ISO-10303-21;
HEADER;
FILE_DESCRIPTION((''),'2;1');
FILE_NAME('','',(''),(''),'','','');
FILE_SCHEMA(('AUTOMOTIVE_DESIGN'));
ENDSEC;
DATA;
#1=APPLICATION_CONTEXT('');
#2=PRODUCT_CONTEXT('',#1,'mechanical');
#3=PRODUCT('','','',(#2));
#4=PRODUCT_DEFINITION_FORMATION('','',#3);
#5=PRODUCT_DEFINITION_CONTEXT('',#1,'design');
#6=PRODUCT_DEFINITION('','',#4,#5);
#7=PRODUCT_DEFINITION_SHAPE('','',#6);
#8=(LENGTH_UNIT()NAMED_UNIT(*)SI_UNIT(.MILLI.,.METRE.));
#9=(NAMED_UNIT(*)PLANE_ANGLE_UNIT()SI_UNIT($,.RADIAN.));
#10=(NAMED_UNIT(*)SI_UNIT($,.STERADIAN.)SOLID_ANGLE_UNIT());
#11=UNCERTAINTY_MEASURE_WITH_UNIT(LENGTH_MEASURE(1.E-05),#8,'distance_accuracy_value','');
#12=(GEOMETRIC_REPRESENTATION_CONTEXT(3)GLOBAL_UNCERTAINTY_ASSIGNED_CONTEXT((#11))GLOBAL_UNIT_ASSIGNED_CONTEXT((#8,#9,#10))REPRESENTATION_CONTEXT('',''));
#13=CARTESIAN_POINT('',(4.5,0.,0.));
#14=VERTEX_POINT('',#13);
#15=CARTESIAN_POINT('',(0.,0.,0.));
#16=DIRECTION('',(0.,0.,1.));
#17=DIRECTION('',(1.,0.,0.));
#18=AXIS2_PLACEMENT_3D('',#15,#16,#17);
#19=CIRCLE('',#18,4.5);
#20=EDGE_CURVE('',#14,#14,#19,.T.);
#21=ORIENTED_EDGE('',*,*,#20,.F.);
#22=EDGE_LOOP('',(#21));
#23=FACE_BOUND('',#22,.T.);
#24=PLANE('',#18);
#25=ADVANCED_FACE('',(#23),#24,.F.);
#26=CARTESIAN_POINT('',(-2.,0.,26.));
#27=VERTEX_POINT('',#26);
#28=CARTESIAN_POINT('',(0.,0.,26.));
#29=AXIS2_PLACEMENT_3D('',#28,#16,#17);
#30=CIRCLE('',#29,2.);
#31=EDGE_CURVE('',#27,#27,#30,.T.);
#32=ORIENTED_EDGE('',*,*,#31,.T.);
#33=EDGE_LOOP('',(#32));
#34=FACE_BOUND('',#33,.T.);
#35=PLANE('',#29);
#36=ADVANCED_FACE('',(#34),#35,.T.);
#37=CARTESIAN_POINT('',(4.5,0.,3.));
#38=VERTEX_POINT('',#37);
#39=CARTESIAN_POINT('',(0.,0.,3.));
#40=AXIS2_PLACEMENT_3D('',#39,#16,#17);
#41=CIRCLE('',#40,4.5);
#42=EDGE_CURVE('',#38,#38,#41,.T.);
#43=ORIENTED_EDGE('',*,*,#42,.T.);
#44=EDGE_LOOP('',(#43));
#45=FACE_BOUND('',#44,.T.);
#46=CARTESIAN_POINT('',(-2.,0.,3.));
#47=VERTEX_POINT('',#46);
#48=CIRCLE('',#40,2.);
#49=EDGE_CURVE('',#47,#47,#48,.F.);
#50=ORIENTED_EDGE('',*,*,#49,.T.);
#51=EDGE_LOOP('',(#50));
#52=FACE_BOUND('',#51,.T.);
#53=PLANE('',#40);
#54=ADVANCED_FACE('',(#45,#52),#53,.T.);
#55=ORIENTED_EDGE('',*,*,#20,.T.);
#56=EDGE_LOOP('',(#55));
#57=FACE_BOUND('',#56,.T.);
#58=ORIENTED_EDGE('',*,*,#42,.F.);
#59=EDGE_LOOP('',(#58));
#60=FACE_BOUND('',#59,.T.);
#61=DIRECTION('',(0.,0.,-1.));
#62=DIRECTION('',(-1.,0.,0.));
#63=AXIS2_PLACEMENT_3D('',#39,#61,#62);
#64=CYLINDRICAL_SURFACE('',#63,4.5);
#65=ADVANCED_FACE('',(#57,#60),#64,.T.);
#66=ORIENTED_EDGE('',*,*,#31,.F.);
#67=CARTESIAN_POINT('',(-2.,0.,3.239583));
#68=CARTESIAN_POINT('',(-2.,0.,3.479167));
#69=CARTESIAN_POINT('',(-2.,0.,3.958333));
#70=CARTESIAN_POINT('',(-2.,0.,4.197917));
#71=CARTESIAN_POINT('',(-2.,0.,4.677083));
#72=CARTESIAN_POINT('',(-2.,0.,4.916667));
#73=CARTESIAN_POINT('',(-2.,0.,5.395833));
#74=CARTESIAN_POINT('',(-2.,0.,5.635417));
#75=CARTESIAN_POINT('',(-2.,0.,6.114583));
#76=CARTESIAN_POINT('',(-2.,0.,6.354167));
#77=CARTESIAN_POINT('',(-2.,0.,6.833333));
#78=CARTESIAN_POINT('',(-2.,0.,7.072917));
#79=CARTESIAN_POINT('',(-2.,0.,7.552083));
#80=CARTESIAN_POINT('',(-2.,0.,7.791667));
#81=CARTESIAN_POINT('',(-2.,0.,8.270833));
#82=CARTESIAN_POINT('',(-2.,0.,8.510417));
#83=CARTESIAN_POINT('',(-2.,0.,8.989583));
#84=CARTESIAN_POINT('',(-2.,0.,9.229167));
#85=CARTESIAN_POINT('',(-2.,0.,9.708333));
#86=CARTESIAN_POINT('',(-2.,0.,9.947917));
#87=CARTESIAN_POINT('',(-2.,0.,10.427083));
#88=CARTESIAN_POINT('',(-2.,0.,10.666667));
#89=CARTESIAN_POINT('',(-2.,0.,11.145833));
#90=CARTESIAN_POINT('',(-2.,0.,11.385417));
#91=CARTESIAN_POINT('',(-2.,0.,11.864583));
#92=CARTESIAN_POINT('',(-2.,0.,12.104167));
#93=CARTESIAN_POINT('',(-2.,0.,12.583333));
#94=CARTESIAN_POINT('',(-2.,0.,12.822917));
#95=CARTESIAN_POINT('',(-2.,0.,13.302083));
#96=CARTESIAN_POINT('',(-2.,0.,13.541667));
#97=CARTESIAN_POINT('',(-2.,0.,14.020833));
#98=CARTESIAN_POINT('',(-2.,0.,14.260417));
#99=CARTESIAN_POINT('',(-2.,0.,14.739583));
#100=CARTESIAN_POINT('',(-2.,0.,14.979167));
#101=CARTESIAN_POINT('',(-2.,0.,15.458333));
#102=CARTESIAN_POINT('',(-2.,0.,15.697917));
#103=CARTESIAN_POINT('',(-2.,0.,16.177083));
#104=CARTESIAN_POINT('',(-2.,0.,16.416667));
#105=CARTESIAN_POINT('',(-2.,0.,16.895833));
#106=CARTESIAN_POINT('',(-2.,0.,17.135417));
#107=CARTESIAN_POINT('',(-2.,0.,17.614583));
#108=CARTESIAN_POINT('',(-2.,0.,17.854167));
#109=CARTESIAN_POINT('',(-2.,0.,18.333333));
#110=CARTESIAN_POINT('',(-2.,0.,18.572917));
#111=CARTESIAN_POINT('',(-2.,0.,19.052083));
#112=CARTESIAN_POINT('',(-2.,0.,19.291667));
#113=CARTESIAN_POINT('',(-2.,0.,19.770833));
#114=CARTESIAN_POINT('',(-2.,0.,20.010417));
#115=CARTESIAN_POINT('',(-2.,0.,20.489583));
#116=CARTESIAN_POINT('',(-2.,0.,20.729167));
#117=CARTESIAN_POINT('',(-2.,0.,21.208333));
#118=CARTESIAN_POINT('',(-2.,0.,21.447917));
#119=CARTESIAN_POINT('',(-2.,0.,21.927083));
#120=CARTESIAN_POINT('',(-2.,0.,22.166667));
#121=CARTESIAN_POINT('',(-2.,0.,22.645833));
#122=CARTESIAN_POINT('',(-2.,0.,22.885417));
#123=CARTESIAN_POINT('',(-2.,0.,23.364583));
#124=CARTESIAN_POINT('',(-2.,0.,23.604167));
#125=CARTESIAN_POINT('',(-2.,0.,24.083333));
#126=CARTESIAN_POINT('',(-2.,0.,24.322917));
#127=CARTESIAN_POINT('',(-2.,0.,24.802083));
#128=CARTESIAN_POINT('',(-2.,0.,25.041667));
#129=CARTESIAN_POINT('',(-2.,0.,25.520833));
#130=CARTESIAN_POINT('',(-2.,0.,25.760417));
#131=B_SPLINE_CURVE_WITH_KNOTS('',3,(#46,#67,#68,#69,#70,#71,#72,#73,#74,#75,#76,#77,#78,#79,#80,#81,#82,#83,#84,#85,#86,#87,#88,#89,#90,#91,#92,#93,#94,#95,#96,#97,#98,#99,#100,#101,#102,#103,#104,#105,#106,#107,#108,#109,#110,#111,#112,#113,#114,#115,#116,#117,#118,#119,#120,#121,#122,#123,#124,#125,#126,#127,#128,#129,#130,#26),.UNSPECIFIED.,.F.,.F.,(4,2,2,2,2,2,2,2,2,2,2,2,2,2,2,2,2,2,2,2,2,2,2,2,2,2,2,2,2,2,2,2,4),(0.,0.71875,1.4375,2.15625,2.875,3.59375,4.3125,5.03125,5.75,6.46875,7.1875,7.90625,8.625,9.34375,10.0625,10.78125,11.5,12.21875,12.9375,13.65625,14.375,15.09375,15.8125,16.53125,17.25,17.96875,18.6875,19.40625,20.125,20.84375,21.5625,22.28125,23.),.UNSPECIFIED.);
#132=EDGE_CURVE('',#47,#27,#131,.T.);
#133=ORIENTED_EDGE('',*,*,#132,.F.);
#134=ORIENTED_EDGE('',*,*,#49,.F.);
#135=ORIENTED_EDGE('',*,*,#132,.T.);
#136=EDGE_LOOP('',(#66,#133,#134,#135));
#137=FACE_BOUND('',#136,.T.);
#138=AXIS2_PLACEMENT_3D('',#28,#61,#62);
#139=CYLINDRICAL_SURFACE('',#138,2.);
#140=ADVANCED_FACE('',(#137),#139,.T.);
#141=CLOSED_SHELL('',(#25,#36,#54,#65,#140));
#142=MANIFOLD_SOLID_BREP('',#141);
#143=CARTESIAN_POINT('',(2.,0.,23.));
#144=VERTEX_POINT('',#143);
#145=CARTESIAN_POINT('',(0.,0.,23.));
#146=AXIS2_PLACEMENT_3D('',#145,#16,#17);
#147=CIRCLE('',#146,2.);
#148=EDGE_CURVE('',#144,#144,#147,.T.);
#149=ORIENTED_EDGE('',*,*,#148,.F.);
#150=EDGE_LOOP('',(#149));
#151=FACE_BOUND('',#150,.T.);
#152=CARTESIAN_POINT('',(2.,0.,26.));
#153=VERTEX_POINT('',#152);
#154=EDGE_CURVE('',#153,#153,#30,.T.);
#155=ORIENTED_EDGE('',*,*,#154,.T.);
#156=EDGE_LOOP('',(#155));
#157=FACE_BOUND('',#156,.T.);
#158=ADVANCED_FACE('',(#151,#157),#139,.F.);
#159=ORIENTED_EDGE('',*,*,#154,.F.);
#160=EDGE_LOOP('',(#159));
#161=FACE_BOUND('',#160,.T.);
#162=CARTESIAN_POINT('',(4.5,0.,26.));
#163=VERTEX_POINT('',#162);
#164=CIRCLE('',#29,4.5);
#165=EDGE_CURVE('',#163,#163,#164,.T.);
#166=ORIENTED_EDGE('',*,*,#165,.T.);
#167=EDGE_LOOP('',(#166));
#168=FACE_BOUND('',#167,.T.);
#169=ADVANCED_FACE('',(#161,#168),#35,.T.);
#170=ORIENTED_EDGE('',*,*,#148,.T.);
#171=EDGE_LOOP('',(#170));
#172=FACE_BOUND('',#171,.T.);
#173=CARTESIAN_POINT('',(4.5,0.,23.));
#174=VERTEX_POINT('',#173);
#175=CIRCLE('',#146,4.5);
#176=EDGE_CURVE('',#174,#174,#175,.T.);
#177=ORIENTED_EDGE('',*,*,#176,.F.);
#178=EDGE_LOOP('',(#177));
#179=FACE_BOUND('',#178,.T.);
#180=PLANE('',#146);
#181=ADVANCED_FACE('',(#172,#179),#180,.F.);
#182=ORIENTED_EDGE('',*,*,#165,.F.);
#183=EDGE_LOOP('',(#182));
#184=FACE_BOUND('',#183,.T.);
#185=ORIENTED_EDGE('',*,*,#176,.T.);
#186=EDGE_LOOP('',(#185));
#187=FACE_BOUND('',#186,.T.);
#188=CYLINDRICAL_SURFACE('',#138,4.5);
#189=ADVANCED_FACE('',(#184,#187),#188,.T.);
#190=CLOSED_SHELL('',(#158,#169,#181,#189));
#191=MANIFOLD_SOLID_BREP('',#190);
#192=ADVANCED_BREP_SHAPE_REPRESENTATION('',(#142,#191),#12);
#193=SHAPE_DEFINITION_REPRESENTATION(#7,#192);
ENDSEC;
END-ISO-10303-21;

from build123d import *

# Parameters (mm, degrees)
CROQUIS1_R              = 4.5
SALIENTE_EXTRUIR1_DEPTH = 3
CROQUIS2_R              = 2
SALIENTE_EXTRUIR2_DEPTH = 26
SALIENTE_EXTRUIR3_START = 23
CROQUIS4_R              = 4.5
CROQUIS4_R_2            = 2
SALIENTE_EXTRUIR3_DEPTH = 3


with BuildPart() as part:
    # Croquis1 → Saliente-Extruir1 (new body)
    with BuildSketch(Plane.XY):
        Circle(CROQUIS1_R)
    extrude(amount=SALIENTE_EXTRUIR1_DEPTH)

    # Croquis2 → Saliente-Extruir2 (add)
    with BuildSketch(Plane.XY):
        with Locations(Location((0, 0, 0), (0, 0, 180))):
            Circle(CROQUIS2_R)
    extrude(amount=SALIENTE_EXTRUIR2_DEPTH)


with BuildPart() as body_2:
    # Croquis4 → Saliente-Extruir3 (new body)
    with BuildSketch(Plane.XY.offset(SALIENTE_EXTRUIR3_START)):
        Circle(CROQUIS4_R)
        Circle(CROQUIS4_R_2, mode=Mode.SUBTRACT)
    extrude(amount=SALIENTE_EXTRUIR3_DEPTH)


solid = Compound([part.part, body_2.part])
